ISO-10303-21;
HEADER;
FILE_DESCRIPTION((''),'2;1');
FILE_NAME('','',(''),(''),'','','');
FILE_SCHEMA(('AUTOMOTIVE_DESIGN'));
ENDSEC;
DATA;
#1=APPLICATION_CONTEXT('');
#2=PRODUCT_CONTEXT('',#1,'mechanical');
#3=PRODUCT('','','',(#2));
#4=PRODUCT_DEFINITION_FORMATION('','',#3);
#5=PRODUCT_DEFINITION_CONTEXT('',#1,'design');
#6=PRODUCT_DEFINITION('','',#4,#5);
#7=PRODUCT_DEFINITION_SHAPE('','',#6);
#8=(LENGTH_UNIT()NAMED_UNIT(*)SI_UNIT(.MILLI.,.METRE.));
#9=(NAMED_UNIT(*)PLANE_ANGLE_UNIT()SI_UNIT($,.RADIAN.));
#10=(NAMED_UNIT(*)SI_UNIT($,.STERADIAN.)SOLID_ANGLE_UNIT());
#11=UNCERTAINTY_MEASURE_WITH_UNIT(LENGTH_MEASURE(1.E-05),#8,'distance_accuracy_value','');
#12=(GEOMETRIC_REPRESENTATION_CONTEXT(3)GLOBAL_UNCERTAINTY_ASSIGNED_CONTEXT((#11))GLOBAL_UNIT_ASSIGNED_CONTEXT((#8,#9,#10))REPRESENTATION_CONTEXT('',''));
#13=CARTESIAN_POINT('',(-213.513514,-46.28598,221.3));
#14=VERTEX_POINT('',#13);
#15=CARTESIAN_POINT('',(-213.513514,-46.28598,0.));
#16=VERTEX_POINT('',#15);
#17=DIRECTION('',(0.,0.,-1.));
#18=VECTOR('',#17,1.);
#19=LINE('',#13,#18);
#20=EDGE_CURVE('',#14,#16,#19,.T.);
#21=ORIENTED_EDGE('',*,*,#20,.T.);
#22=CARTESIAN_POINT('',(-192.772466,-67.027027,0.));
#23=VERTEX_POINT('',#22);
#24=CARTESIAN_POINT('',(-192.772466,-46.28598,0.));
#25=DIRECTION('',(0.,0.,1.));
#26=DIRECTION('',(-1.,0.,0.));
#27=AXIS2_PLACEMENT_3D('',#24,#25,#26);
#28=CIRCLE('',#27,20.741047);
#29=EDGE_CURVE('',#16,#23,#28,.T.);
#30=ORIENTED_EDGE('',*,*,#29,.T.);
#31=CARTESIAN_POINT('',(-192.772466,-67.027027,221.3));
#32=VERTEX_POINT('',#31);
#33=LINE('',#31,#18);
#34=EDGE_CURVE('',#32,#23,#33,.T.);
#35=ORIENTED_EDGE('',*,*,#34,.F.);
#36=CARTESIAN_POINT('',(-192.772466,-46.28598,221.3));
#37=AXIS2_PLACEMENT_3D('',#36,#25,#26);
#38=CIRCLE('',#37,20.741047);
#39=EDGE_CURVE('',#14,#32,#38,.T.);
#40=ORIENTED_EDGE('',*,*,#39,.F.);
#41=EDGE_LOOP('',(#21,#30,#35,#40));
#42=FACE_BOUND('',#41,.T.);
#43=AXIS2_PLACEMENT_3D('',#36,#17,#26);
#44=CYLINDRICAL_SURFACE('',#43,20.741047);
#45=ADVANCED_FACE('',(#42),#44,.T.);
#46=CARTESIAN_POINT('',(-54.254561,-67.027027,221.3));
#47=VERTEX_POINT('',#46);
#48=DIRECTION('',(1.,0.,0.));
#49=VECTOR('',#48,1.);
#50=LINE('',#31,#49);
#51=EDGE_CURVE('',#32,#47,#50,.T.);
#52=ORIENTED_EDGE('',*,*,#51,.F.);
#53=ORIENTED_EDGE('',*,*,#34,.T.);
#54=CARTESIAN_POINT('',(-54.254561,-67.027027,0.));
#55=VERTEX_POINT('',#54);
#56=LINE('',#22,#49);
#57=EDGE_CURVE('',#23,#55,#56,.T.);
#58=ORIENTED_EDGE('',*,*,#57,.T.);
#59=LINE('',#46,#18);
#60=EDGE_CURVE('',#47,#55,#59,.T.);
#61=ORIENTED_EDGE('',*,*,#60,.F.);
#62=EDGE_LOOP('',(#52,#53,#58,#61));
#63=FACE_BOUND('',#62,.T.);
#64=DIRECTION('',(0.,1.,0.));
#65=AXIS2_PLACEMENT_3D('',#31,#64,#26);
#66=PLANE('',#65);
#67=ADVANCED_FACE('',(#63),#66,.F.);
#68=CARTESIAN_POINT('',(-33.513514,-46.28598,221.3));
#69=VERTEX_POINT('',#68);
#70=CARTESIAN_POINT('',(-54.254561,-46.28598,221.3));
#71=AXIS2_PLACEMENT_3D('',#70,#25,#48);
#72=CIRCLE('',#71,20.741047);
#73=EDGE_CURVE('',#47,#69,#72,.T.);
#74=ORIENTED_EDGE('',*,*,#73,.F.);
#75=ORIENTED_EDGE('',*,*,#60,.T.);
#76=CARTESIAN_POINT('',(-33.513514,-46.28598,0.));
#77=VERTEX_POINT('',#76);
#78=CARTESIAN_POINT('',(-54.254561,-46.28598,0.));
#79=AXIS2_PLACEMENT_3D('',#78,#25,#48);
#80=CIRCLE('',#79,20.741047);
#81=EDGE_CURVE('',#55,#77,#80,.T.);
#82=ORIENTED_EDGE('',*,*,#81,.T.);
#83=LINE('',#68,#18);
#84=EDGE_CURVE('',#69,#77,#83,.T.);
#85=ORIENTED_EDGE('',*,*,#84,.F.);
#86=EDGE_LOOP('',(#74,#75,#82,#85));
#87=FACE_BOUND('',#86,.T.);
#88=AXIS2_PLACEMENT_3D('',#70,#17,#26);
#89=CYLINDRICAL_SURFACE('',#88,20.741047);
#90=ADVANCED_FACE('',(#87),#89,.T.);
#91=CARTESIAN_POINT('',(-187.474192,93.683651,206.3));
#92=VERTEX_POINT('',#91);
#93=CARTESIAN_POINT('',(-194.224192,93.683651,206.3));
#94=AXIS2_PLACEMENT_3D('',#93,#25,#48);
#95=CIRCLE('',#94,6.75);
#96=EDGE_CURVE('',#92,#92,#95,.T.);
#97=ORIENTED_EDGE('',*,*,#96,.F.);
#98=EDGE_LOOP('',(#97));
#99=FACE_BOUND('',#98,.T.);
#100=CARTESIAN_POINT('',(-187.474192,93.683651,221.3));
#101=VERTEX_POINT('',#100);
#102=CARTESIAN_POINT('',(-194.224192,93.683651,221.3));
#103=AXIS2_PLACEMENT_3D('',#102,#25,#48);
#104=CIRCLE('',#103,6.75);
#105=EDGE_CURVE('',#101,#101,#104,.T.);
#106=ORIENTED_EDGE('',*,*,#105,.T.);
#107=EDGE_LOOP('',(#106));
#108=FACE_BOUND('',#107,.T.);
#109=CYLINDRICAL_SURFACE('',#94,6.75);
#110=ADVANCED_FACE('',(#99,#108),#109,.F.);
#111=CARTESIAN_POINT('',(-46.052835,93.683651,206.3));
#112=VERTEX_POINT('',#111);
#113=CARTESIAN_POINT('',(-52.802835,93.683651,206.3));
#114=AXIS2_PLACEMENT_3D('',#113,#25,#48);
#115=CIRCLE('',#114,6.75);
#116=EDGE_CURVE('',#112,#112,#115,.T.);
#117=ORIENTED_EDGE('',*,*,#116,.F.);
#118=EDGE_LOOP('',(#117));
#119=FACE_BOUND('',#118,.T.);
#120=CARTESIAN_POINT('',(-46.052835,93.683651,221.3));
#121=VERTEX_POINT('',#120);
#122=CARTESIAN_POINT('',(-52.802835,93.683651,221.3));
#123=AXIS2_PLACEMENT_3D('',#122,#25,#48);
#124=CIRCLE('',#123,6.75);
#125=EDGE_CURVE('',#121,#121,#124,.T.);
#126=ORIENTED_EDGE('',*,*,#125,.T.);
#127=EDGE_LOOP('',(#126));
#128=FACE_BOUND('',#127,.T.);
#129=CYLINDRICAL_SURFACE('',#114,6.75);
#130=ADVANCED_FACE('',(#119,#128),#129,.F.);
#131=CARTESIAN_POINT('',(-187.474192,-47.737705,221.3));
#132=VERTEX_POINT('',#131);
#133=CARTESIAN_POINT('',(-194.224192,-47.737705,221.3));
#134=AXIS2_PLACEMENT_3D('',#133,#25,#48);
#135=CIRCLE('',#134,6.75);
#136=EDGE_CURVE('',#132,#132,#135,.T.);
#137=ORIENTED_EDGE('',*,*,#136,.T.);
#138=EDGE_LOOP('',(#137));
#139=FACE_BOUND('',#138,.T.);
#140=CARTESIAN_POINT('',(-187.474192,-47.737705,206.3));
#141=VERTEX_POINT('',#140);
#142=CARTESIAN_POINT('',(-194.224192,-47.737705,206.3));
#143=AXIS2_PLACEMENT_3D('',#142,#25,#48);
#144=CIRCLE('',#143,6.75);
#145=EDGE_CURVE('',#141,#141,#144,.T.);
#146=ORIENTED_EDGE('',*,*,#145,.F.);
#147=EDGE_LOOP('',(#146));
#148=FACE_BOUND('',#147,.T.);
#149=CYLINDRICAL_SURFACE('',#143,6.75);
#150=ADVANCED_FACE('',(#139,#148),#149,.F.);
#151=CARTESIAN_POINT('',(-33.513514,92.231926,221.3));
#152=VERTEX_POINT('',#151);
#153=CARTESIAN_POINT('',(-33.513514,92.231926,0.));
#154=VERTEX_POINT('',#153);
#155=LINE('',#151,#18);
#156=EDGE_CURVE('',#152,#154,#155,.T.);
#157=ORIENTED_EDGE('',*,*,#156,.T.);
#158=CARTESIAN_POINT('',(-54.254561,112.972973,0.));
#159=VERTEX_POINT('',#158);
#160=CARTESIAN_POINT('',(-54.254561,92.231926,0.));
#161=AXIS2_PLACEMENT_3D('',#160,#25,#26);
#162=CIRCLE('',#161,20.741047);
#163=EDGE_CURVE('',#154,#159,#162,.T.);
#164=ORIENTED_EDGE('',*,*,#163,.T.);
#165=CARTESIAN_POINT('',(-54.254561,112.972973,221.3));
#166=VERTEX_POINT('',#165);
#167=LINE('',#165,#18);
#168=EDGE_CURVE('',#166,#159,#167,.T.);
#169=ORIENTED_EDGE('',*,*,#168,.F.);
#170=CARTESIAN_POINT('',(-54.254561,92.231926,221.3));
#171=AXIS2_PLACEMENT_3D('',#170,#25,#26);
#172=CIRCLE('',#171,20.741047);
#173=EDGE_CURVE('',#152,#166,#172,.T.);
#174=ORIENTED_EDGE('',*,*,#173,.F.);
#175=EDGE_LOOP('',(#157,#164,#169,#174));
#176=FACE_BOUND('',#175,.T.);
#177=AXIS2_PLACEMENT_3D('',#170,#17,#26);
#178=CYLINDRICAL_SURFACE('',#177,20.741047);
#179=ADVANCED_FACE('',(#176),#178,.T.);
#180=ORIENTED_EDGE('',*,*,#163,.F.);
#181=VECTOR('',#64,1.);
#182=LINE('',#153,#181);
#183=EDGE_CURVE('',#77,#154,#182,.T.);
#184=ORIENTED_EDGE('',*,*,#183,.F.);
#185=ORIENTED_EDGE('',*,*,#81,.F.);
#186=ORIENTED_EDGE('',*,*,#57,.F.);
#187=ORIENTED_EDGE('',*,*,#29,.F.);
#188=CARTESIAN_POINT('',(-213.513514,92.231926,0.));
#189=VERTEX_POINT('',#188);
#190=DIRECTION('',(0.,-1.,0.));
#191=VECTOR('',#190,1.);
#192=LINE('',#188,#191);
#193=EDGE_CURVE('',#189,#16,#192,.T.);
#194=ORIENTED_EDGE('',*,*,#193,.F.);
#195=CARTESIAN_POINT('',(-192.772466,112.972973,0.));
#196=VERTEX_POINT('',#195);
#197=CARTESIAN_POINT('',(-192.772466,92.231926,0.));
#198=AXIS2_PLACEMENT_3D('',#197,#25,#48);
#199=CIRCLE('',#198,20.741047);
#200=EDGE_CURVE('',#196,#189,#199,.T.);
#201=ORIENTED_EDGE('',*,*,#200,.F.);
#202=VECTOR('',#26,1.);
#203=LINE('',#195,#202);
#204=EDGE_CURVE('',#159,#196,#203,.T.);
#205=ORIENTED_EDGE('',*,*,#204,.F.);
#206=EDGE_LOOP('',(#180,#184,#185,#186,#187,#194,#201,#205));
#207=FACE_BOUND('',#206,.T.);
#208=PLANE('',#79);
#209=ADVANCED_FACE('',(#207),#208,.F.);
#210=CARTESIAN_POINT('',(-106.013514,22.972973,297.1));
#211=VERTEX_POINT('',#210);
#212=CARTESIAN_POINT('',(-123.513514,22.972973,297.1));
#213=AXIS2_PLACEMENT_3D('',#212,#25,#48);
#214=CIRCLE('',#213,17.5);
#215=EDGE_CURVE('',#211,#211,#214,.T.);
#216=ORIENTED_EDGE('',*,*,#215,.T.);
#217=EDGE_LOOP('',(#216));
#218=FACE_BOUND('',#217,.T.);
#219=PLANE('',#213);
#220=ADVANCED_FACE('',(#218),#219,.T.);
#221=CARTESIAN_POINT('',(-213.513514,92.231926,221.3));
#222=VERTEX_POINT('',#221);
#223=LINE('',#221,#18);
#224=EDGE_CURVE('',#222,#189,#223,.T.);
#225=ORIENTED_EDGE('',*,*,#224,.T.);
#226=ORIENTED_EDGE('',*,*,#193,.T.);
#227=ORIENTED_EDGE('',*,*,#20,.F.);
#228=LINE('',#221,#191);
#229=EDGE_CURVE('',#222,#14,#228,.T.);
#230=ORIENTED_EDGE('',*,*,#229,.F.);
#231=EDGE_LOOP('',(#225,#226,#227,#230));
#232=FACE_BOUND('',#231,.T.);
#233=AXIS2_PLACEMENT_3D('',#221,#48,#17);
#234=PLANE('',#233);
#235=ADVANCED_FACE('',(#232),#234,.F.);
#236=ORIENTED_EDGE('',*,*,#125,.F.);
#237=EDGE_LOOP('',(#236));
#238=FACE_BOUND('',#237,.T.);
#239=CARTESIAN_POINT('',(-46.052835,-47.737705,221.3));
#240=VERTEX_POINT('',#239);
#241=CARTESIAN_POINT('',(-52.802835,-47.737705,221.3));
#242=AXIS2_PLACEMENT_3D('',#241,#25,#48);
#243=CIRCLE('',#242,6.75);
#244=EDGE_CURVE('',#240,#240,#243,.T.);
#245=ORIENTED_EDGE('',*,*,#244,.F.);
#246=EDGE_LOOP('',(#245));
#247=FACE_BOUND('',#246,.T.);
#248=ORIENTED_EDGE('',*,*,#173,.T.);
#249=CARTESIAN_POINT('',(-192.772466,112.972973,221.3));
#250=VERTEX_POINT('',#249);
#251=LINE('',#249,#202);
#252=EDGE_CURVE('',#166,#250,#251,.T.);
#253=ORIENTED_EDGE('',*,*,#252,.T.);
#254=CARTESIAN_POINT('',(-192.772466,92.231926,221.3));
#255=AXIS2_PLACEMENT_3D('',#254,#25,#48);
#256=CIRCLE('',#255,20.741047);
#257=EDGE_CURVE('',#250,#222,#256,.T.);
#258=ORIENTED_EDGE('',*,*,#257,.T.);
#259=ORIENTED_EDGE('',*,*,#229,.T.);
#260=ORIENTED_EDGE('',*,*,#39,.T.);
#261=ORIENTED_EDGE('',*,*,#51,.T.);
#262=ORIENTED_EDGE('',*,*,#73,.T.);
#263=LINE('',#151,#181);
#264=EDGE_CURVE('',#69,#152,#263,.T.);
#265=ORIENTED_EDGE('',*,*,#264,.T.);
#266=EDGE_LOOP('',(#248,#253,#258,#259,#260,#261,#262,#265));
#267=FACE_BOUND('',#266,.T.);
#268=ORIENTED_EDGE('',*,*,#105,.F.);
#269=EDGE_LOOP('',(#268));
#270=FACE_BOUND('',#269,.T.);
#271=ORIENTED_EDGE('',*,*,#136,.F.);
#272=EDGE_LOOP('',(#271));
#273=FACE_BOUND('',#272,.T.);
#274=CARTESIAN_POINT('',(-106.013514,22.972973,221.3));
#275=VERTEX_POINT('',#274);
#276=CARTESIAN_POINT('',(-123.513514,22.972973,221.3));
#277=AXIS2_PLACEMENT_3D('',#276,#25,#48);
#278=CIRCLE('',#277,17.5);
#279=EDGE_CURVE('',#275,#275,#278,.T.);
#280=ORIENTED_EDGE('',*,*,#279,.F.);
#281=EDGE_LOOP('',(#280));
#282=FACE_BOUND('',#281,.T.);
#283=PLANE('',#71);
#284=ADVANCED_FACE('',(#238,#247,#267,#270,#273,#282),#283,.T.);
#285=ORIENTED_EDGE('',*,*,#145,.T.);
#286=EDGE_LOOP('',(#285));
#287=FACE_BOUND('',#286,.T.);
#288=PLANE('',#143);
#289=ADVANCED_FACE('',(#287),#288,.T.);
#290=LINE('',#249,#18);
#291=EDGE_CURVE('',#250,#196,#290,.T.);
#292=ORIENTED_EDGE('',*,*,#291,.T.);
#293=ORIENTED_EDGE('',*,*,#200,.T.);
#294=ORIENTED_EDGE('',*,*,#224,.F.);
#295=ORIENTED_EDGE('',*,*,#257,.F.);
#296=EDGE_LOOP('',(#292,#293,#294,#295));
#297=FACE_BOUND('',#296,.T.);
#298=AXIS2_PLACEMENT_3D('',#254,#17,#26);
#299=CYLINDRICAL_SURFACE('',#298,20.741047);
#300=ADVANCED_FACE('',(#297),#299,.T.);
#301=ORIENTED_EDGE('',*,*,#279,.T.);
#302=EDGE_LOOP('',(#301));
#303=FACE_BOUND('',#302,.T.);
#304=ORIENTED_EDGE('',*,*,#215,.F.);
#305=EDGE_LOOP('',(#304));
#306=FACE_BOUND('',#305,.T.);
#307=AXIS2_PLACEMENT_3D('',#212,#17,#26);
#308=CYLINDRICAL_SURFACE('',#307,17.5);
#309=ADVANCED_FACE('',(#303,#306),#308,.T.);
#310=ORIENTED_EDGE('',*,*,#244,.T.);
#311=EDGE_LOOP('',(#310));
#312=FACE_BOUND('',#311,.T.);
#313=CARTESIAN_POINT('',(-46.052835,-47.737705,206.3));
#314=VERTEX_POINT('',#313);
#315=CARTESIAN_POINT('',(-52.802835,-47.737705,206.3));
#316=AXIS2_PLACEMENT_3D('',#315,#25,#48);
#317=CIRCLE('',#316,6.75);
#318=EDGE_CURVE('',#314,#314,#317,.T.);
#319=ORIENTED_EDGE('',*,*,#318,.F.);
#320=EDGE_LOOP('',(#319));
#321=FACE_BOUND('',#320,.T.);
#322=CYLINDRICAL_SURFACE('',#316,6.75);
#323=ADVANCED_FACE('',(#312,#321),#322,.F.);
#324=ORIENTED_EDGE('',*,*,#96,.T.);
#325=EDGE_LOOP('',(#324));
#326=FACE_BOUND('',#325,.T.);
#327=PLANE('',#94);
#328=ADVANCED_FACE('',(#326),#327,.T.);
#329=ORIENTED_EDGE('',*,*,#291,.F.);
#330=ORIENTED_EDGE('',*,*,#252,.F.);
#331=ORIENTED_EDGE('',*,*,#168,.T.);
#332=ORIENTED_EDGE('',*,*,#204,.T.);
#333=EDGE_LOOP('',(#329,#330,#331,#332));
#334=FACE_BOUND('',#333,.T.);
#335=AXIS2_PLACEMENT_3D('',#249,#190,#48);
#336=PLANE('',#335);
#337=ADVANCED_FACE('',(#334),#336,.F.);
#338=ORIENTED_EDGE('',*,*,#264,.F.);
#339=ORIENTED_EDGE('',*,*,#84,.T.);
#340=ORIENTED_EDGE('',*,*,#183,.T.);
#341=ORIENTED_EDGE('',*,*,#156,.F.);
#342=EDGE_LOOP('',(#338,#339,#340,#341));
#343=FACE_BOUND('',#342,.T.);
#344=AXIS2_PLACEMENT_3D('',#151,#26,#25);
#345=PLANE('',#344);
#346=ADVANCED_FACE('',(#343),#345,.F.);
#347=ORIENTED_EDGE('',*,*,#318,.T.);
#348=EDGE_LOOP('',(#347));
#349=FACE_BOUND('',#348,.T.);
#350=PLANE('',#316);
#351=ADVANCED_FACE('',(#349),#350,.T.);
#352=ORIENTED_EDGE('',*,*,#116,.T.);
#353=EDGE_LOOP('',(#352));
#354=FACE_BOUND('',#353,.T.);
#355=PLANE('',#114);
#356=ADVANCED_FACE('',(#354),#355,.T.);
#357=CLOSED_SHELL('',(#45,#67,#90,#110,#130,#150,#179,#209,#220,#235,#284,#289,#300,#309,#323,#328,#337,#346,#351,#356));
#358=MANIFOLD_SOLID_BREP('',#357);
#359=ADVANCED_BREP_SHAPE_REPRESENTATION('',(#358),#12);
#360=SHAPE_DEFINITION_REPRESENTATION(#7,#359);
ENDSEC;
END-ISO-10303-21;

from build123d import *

# Parameters (mm, degrees)
EXTRUDE_1_DEPTH     = 221.3
SKETCH_2_R          = 17.5
EXTRUDE_2_DEPTH     = 75.8
SKETCH_3_R          = 6.75
CUT_EXTRUDE_1_DEPTH = 15


with BuildPart() as part:
    # 草图1 → 凸台-拉伸1 (new body)
    with BuildSketch(Plane.XY):
        with BuildLine():
            Line((-192.772466286, 112.972972973), (-54.254560741, 112.972972973))
            ThreePointArc((-54.254560741, 112.972972973), (-39.588425598, 106.898060889), (-33.513513514, 92.231925745))
            Line((-33.513513514, 92.231925745), (-33.513513514, -46.285979799))
            ThreePointArc((-33.513513514, -46.285979799), (-39.588425598, -60.952114943), (-54.254560741, -67.027027027))
            Line((-54.254560741, -67.027027027), (-192.772466286, -67.027027027))
            ThreePointArc((-192.772466286, -67.027027027), (-207.438601429, -60.952114943), (-213.513513514, -46.285979799))
            Line((-213.513513514, -46.285979799), (-213.513513514, 92.231925745))
            ThreePointArc((-213.513513514, 92.231925745), (-207.438601429, 106.898060889), (-192.772466286, 112.972972973))
        make_face()
    extrude(amount=EXTRUDE_1_DEPTH)

    # 草图2 → 凸台-拉伸2 (add)
    with BuildSketch(Plane.XY.offset(221.3)):
        with Locations((-123.513513514, 22.972972973)):
            Circle(SKETCH_2_R)
    extrude(amount=EXTRUDE_2_DEPTH)

    # 草图3 → 切除-拉伸1 (cut)
    with BuildSketch(Plane.XY.offset(221.3)):
        with Locations((-52.802835395, 93.683651092)):
            Circle(SKETCH_3_R)
        with Locations((-52.802835395, -47.737705146)):
            Circle(SKETCH_3_R)
        with Locations((-194.224191632, -47.737705146)):
            Circle(SKETCH_3_R)
        with Locations((-194.224191632, 93.683651092)):
            Circle(SKETCH_3_R)
    extrude(amount=-CUT_EXTRUDE_1_DEPTH, mode=Mode.SUBTRACT)


solid = part.part
